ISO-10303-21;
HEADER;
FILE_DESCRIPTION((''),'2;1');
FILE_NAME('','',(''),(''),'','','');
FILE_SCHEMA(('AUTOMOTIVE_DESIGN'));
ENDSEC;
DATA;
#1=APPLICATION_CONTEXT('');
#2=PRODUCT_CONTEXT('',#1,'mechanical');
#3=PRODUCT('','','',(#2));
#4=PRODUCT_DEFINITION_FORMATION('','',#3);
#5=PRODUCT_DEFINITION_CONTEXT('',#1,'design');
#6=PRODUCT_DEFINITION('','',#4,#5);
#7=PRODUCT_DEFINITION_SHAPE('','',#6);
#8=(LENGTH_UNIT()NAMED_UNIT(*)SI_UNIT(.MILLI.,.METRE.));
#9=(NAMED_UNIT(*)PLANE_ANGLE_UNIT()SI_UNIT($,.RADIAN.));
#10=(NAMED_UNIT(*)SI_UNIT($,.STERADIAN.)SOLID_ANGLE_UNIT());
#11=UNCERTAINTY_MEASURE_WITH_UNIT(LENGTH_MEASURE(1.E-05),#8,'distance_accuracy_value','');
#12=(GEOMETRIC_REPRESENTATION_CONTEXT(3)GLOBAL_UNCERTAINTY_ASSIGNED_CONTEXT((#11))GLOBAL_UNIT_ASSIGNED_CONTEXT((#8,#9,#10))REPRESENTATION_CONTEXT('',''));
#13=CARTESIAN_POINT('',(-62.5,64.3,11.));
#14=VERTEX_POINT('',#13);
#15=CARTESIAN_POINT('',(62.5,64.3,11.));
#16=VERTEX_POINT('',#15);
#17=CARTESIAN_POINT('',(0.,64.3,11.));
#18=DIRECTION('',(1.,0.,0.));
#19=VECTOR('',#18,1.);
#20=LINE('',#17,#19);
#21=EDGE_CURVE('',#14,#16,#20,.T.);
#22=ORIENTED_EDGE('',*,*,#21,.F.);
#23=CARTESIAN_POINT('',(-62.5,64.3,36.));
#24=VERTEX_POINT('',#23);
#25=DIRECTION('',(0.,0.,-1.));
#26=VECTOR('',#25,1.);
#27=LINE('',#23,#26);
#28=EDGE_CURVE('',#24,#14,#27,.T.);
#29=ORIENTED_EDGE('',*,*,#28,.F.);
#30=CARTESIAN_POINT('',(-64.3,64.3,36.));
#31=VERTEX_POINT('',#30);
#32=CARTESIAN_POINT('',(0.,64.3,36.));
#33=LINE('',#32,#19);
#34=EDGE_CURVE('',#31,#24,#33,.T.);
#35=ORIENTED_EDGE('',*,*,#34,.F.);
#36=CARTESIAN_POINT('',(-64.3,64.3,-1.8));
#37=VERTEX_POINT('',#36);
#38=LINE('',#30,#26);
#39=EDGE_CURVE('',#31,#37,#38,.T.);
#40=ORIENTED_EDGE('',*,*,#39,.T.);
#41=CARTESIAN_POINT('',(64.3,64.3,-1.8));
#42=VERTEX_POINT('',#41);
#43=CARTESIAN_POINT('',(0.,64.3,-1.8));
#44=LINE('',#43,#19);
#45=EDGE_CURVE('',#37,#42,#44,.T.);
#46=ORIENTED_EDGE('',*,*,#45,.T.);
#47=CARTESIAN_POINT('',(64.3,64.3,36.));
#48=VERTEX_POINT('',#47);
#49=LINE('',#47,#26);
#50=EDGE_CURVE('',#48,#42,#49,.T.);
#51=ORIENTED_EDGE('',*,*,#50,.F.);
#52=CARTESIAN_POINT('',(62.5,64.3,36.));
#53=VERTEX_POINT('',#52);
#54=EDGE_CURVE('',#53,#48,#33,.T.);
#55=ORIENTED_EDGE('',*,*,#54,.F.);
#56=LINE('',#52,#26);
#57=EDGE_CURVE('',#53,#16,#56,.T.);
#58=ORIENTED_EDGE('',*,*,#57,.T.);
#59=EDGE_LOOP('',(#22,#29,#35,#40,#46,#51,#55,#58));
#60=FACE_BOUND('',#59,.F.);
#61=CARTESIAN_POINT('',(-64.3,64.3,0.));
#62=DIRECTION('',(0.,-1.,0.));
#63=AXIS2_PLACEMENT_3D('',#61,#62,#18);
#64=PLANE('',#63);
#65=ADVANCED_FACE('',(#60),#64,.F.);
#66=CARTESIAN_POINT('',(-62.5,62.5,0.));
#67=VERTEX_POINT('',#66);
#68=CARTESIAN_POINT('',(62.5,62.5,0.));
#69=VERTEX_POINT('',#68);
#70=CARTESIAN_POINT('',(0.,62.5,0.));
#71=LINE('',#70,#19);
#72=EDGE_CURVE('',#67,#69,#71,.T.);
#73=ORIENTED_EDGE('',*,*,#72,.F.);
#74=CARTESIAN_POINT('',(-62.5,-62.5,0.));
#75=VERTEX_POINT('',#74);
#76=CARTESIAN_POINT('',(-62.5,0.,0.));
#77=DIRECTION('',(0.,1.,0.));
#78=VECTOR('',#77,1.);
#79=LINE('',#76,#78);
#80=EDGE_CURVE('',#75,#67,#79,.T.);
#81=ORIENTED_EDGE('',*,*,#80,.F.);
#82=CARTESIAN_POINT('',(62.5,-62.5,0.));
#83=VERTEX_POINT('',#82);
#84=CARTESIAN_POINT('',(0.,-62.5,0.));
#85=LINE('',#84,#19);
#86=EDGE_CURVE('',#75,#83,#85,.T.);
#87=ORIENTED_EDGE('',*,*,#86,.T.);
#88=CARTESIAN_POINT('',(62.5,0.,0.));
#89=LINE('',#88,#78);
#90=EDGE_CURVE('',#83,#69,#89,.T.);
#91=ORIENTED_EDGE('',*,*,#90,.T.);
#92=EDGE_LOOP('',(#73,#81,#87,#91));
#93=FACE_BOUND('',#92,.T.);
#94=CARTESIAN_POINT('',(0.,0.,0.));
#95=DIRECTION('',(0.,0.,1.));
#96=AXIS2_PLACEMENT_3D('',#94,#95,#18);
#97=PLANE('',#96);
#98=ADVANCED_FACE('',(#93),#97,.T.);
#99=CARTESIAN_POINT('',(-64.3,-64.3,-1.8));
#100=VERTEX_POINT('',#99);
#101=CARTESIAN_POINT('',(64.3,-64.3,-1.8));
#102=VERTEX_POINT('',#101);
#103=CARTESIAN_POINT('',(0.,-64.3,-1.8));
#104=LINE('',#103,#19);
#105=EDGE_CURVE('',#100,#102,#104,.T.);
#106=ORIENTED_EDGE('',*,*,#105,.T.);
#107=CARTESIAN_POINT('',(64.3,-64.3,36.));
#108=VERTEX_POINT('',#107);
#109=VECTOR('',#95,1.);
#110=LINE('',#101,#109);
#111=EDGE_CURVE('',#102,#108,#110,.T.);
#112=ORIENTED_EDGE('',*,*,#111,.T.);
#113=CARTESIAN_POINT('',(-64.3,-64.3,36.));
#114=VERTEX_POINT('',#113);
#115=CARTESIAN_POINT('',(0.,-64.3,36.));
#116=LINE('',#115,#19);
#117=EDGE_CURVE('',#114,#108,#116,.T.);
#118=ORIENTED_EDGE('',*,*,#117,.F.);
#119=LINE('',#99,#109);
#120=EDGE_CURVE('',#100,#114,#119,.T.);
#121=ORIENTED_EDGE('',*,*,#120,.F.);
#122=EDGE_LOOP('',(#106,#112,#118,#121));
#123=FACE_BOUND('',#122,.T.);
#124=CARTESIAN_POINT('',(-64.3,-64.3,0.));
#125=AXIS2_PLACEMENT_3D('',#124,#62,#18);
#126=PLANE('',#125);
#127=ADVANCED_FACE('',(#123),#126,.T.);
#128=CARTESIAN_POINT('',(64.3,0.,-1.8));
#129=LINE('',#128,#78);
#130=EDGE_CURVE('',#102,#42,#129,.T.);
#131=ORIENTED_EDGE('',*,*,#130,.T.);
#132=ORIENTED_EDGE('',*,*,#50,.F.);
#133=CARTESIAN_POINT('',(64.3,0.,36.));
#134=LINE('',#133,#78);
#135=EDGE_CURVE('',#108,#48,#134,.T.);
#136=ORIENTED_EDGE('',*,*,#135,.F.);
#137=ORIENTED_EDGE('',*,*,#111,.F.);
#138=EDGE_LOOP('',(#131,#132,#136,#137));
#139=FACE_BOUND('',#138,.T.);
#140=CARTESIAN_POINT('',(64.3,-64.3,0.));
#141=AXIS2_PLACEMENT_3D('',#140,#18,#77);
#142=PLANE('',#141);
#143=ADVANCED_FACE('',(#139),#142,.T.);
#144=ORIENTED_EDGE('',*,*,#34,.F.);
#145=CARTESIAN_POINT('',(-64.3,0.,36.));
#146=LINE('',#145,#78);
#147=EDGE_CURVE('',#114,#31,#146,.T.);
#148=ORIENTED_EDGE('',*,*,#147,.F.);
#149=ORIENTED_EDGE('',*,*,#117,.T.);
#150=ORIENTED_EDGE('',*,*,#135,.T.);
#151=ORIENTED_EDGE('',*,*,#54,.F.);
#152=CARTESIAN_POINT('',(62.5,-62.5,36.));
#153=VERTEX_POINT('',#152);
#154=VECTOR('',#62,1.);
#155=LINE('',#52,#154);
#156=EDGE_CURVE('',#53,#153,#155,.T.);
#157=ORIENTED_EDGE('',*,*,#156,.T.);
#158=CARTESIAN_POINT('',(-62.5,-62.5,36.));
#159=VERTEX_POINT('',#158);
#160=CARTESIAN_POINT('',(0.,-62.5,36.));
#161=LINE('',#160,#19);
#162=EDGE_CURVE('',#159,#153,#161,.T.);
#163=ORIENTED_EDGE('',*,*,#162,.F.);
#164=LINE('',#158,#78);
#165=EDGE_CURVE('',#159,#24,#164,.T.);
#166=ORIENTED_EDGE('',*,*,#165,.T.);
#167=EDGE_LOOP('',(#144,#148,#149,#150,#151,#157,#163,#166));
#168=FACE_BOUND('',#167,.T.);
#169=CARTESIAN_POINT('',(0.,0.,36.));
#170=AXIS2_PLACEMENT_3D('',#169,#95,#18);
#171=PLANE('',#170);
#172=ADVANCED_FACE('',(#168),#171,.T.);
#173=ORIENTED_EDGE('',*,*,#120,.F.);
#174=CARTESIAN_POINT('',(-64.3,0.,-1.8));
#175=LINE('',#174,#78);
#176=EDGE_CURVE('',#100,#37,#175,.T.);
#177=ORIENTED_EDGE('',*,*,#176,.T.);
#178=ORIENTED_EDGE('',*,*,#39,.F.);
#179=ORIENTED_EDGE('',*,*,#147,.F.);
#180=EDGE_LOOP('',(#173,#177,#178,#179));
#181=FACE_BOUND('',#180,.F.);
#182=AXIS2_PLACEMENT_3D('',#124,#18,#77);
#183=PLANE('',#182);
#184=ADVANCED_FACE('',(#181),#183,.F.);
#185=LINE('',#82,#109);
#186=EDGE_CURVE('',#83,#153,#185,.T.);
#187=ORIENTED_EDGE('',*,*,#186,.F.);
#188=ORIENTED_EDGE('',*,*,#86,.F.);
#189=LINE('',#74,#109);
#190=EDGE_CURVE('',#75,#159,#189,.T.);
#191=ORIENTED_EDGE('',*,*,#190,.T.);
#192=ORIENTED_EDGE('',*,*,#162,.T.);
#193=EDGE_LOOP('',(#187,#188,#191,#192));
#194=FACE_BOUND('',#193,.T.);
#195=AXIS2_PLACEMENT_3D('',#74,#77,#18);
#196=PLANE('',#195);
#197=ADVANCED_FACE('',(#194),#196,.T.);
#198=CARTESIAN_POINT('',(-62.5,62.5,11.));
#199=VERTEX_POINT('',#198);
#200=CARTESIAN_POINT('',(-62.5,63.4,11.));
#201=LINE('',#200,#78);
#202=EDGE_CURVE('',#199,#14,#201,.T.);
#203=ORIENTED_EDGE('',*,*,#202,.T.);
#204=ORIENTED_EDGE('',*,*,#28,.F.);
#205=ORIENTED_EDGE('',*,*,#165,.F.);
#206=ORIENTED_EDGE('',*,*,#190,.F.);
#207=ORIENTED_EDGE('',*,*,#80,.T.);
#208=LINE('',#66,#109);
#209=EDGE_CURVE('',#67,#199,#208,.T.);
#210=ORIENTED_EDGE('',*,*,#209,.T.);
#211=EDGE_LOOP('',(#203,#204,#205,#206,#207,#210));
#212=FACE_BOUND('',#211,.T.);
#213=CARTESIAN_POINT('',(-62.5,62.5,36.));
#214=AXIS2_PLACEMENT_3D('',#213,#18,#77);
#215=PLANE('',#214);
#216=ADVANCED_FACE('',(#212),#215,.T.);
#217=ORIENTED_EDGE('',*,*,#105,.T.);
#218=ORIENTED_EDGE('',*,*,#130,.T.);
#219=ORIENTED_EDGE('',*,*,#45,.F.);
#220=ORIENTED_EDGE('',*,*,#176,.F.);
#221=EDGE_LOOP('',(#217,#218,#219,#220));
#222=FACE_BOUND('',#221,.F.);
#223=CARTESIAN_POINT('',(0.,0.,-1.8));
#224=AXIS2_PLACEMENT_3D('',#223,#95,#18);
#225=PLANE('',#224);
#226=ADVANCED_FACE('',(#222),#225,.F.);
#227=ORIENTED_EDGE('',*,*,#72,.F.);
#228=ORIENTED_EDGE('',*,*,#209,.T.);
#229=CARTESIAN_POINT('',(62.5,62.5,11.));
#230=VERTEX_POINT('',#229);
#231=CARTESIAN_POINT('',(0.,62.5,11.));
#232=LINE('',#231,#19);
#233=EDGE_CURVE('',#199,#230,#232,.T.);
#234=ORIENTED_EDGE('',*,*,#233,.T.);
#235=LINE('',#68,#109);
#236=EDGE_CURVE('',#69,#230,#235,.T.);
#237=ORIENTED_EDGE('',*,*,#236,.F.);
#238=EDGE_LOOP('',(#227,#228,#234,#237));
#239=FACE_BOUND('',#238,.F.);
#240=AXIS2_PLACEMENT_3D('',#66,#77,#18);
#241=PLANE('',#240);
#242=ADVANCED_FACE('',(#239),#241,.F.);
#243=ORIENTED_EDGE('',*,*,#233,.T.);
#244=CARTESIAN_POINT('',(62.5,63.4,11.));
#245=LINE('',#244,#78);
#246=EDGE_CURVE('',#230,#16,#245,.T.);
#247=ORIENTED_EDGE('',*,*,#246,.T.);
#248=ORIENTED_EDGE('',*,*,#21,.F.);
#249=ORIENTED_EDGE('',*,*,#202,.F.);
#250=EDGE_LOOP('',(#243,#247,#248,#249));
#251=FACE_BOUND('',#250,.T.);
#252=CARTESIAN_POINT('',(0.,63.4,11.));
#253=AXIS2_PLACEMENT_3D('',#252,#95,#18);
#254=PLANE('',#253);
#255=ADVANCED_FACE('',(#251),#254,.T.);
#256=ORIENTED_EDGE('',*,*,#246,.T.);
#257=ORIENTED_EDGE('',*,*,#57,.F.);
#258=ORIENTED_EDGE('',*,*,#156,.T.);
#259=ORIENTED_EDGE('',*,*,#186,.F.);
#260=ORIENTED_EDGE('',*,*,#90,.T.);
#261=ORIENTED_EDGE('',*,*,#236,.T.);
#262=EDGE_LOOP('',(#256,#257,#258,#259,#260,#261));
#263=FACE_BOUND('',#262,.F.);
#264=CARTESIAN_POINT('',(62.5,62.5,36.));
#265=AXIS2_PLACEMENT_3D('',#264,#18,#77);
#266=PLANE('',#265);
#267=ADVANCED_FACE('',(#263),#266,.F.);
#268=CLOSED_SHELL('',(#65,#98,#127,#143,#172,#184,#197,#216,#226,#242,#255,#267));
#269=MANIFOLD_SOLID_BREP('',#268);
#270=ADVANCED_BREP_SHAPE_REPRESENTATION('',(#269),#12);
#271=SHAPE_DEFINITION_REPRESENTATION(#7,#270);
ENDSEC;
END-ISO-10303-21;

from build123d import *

# Parameters (mm, degrees)
F2_W     = 128.6
F2_H     = 128.6
F2_W_2   = 125
F2_H_2   = 125
F3_DEPTH = 36
F4_DEPTH = 1.8
F5_W     = 125
F5_H     = 1.8
F6_DEPTH = 25


with BuildPart() as f3:
    # F2 (on Top) → F3 (new body)
    with BuildSketch(Plane.XY):
        Rectangle(F2_W, F2_H)
        Rectangle(F2_W_2, F2_H_2, mode=Mode.SUBTRACT)
    extrude(amount=F3_DEPTH)

    # F2 (on Top) → F4 (join)
    with BuildSketch(Plane.XY):
        Rectangle(F2_W, F2_H)
        Rectangle(F2_W_2, F2_H_2, mode=Mode.SUBTRACT)
        Rectangle(F2_W_2, F2_H_2)
    extrude(amount=-F4_DEPTH)

    # F5 (on face) → F6 (cut)
    with BuildSketch(Plane.XY.offset(36)):
        with Locations((0, 63.4)):
            Rectangle(F5_W, F5_H)
    extrude(amount=-F6_DEPTH, mode=Mode.SUBTRACT)


solid = f3.part
